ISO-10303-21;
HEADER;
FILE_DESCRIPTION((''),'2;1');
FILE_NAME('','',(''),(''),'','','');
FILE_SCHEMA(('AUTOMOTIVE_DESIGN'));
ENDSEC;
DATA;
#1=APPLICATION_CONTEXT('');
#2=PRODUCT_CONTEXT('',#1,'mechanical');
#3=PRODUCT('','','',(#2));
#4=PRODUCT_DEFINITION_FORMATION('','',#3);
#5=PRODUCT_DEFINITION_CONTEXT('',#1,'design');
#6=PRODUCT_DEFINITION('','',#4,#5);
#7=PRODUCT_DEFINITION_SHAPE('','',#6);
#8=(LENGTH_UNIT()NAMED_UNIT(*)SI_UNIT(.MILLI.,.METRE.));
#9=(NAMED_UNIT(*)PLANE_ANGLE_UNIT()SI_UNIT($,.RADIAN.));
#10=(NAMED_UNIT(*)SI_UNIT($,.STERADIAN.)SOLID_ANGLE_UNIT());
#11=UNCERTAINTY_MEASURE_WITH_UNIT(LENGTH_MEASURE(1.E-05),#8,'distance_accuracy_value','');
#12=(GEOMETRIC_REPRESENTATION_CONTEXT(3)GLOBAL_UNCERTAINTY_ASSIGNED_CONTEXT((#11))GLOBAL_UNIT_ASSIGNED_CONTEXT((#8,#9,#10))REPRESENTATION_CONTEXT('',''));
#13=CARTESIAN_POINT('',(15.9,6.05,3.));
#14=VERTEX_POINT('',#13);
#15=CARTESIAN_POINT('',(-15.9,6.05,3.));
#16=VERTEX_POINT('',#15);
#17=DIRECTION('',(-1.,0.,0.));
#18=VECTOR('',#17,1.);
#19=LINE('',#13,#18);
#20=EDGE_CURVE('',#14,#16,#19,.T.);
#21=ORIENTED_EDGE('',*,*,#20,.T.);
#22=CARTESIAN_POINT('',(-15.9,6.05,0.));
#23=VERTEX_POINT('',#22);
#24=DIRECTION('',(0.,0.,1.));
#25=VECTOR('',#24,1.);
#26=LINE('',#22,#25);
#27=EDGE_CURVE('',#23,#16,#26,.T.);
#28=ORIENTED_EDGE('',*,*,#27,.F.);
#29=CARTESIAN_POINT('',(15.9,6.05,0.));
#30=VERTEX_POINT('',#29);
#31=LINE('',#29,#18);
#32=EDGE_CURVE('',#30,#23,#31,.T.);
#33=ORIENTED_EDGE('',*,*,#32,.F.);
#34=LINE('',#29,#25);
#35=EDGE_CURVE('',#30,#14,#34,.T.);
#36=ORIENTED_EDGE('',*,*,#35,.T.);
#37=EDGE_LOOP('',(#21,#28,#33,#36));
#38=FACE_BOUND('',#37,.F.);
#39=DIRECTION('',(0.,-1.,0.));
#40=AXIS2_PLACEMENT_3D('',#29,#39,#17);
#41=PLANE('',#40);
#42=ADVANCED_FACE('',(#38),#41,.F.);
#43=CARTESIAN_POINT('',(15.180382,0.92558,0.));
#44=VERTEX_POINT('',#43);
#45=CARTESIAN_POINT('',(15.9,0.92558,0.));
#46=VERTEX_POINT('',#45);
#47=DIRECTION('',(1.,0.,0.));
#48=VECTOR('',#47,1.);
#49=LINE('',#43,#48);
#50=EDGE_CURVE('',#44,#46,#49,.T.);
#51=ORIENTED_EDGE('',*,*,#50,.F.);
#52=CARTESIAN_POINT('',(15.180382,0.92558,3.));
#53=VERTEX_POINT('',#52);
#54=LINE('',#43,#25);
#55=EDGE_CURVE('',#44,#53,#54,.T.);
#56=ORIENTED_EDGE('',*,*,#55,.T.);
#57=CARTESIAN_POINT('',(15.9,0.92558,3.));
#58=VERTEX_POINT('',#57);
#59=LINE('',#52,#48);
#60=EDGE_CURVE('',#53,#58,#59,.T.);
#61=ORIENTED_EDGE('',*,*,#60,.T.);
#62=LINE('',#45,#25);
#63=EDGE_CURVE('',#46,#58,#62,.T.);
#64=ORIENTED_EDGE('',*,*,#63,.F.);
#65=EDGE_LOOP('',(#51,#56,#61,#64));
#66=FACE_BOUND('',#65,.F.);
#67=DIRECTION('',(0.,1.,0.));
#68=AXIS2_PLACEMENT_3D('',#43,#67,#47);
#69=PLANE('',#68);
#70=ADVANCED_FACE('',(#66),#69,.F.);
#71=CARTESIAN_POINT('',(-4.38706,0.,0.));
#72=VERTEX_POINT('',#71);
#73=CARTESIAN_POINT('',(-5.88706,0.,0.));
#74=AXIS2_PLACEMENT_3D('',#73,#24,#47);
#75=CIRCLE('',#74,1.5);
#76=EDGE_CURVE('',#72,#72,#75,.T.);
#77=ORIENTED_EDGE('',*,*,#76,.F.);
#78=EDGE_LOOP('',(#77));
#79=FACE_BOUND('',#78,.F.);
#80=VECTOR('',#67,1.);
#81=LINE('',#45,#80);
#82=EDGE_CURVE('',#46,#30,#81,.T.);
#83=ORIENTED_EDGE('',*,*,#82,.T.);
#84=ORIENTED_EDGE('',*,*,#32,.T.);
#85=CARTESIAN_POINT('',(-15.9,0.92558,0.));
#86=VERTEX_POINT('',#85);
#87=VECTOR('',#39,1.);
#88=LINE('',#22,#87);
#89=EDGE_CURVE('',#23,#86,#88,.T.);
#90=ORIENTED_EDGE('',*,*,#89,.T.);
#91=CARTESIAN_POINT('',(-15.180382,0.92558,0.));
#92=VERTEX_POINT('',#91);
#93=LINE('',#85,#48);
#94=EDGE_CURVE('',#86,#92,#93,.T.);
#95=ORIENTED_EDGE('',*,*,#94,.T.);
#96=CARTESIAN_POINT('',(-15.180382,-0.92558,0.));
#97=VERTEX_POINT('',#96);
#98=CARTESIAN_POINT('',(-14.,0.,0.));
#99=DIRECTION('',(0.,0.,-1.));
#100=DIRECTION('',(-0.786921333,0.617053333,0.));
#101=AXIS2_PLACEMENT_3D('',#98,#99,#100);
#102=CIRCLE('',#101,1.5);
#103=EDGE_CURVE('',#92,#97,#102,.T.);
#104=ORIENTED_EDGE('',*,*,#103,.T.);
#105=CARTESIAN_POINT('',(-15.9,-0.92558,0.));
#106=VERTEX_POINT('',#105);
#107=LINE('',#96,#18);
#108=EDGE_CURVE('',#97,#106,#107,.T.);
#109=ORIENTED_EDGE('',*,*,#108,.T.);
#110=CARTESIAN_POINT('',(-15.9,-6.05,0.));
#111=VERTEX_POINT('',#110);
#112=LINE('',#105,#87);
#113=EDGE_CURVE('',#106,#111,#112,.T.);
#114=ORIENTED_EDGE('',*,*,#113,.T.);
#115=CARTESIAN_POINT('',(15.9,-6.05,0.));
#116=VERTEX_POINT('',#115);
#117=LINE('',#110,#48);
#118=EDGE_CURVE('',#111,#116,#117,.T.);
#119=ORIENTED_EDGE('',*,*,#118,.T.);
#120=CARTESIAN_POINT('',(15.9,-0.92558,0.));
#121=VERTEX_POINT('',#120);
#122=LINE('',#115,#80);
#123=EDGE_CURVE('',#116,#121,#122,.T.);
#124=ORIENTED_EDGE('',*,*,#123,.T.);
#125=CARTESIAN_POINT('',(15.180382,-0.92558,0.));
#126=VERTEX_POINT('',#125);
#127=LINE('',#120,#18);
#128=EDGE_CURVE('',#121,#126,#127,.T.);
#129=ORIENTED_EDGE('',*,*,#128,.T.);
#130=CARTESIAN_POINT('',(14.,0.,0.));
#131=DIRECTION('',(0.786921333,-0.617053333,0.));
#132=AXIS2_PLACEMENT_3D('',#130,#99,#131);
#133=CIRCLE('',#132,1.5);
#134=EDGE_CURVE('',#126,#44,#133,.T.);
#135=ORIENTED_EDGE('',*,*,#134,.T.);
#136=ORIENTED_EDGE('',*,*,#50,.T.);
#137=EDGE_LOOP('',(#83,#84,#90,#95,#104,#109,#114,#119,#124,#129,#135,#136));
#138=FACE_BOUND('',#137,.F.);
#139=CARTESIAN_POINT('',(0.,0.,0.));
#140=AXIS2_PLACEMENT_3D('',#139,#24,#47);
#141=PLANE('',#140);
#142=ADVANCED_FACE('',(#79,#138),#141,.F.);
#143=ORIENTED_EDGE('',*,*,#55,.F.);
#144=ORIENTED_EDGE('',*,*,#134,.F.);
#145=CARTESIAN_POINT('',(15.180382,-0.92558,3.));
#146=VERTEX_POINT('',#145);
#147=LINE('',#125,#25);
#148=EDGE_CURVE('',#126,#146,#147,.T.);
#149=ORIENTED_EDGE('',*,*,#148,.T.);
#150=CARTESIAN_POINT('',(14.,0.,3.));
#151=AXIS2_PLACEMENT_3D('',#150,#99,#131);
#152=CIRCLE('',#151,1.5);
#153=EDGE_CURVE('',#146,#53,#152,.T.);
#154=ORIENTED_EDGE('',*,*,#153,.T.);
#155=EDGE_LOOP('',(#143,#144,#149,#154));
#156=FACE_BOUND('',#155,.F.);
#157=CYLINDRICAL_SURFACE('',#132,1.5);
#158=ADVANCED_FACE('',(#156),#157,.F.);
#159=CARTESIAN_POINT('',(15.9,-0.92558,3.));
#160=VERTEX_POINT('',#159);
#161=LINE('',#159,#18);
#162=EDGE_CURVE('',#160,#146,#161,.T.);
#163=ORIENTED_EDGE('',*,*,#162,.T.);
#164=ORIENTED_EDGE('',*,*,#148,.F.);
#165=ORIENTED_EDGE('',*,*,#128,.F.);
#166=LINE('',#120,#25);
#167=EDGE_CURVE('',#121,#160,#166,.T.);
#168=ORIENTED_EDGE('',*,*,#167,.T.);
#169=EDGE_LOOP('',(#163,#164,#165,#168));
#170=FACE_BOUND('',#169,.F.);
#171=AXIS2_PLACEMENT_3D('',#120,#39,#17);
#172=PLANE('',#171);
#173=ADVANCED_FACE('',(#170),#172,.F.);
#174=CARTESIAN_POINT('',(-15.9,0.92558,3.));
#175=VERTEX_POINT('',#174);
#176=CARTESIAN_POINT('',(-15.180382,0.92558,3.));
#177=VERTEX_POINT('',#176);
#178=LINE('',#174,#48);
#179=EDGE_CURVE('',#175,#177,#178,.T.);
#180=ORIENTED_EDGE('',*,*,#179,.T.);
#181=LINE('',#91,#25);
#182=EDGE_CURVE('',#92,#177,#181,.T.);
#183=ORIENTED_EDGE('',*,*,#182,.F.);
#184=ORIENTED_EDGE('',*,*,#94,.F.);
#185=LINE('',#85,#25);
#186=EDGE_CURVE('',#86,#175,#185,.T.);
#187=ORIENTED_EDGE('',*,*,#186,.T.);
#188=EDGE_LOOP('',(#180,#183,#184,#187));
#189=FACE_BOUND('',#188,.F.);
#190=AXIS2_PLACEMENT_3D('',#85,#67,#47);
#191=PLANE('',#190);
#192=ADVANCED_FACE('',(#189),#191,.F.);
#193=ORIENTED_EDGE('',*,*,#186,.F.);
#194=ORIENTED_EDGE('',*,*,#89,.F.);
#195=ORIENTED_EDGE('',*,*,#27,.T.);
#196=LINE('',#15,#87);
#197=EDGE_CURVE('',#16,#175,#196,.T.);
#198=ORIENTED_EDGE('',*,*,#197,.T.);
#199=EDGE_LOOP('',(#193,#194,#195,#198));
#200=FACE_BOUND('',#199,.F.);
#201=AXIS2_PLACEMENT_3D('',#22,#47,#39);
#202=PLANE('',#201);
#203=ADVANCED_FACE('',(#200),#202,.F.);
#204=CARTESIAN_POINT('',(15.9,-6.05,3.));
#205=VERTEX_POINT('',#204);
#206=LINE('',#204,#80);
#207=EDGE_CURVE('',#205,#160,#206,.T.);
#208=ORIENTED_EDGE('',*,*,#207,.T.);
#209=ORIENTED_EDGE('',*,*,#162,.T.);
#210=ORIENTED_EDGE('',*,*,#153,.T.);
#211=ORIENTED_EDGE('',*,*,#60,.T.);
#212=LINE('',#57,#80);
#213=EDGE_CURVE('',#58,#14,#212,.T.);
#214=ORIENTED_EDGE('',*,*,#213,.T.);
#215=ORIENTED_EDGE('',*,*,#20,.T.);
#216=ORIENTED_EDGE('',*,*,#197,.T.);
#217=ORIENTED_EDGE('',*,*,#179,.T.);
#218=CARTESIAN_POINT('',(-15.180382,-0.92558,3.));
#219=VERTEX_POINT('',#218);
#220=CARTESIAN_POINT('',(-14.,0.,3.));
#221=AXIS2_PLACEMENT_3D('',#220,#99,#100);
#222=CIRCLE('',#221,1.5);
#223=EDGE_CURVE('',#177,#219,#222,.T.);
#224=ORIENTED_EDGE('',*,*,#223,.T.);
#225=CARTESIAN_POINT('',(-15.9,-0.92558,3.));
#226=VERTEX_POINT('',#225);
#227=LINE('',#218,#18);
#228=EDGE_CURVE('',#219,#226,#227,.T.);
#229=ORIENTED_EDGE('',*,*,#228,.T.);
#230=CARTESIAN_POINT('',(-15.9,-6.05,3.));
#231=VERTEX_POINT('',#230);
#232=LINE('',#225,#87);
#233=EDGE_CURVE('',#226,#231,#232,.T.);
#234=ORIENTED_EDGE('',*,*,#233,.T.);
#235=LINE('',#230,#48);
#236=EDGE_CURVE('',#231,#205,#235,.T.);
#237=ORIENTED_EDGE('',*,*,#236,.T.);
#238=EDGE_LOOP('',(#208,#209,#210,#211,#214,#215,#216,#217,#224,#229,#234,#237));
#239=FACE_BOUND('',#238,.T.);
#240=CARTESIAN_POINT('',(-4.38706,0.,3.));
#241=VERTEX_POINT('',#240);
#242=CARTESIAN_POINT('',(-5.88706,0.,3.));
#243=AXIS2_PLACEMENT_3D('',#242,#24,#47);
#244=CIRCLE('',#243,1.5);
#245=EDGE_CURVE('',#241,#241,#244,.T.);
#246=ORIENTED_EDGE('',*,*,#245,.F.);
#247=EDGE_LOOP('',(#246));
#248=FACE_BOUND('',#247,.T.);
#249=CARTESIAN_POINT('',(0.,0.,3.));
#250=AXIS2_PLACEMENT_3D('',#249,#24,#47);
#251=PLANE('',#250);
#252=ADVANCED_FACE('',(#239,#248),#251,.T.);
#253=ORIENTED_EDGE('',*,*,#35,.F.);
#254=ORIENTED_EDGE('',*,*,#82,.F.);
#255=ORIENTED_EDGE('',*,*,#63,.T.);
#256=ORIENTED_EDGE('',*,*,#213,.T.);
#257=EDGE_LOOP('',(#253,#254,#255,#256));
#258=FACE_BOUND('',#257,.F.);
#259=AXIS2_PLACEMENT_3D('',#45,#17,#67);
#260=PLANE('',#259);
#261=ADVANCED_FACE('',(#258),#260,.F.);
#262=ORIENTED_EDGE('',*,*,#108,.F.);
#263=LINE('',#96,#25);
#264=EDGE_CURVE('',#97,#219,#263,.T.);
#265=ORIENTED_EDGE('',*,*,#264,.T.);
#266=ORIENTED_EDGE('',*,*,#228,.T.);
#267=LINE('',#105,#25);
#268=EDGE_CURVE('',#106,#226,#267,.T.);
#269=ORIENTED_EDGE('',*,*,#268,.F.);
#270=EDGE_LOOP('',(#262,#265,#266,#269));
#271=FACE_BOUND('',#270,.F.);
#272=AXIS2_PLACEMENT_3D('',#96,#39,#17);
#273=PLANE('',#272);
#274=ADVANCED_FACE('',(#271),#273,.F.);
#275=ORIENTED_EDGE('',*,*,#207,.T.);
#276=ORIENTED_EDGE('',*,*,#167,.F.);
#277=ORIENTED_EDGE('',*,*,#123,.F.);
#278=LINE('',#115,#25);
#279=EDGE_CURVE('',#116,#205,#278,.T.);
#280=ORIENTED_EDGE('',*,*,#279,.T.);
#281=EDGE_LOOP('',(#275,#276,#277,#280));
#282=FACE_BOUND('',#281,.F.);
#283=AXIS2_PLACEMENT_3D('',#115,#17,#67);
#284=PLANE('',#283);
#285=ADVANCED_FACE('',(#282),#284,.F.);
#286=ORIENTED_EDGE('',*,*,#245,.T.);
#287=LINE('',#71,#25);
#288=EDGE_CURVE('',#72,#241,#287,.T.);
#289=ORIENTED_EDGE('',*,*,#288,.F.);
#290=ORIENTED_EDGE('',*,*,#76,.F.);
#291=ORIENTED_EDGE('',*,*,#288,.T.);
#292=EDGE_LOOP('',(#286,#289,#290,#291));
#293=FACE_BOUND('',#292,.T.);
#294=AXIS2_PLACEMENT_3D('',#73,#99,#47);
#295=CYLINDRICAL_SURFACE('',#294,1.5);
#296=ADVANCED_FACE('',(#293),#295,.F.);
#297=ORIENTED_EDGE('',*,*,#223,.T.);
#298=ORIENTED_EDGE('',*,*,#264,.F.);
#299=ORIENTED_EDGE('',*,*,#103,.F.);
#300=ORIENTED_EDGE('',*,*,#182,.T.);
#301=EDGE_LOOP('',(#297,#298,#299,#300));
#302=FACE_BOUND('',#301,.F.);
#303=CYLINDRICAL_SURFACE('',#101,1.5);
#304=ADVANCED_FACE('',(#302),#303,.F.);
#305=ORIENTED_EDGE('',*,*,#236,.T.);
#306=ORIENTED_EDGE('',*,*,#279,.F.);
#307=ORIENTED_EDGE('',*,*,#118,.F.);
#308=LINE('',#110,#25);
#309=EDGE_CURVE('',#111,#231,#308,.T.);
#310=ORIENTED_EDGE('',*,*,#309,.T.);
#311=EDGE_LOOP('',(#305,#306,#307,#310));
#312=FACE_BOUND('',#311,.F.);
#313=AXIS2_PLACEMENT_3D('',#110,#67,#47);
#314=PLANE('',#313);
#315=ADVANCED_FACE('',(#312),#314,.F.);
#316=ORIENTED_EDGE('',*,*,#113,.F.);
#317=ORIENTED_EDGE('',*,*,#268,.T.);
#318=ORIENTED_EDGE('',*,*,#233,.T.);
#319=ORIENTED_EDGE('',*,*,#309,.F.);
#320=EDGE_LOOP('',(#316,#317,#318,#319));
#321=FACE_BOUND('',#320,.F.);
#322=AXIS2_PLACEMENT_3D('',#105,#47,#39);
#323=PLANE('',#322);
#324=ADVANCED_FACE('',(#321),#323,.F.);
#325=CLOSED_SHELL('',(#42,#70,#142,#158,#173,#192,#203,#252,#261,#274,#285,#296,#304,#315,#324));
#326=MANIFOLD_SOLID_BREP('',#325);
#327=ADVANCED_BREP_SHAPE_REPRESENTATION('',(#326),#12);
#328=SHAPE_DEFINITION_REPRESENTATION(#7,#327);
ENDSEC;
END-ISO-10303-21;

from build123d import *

# Parameters (mm, degrees)
F0_R     = 1.5
F1_DEPTH = 3


with BuildPart() as f1:
    # F0 (on Top) → F1 (new body)
    with BuildSketch(Plane.XY):
        with BuildLine():
            Line((15.9, 6.05), (-15.9, 6.05))
            Line((-15.9, 6.05), (-15.9, 0.92558))
            Line((-15.9, 0.92558), (-15.180382, 0.92558))
            ThreePointArc((-15.180382, 0.92558), (-12.5, 0), (-15.180382, -0.92558))
            Line((-15.180382, -0.92558), (-15.9, -0.92558))
            Line((-15.9, -0.92558), (-15.9, -6.05))
            Line((-15.9, -6.05), (15.9, -6.05))
            Line((15.9, -6.05), (15.9, -0.92558))
            Line((15.9, -0.92558), (15.180382, -0.92558))
            ThreePointArc((15.180382, -0.92558), (12.5, 0), (15.180382, 0.92558))
            Line((15.180382, 0.92558), (15.9, 0.92558))
            Line((15.9, 0.92558), (15.9, 6.05))
        make_face()
        with Locations((-5.88706, 0)):
            Circle(F0_R, mode=Mode.SUBTRACT)
    extrude(amount=F1_DEPTH)


solid = f1.part
